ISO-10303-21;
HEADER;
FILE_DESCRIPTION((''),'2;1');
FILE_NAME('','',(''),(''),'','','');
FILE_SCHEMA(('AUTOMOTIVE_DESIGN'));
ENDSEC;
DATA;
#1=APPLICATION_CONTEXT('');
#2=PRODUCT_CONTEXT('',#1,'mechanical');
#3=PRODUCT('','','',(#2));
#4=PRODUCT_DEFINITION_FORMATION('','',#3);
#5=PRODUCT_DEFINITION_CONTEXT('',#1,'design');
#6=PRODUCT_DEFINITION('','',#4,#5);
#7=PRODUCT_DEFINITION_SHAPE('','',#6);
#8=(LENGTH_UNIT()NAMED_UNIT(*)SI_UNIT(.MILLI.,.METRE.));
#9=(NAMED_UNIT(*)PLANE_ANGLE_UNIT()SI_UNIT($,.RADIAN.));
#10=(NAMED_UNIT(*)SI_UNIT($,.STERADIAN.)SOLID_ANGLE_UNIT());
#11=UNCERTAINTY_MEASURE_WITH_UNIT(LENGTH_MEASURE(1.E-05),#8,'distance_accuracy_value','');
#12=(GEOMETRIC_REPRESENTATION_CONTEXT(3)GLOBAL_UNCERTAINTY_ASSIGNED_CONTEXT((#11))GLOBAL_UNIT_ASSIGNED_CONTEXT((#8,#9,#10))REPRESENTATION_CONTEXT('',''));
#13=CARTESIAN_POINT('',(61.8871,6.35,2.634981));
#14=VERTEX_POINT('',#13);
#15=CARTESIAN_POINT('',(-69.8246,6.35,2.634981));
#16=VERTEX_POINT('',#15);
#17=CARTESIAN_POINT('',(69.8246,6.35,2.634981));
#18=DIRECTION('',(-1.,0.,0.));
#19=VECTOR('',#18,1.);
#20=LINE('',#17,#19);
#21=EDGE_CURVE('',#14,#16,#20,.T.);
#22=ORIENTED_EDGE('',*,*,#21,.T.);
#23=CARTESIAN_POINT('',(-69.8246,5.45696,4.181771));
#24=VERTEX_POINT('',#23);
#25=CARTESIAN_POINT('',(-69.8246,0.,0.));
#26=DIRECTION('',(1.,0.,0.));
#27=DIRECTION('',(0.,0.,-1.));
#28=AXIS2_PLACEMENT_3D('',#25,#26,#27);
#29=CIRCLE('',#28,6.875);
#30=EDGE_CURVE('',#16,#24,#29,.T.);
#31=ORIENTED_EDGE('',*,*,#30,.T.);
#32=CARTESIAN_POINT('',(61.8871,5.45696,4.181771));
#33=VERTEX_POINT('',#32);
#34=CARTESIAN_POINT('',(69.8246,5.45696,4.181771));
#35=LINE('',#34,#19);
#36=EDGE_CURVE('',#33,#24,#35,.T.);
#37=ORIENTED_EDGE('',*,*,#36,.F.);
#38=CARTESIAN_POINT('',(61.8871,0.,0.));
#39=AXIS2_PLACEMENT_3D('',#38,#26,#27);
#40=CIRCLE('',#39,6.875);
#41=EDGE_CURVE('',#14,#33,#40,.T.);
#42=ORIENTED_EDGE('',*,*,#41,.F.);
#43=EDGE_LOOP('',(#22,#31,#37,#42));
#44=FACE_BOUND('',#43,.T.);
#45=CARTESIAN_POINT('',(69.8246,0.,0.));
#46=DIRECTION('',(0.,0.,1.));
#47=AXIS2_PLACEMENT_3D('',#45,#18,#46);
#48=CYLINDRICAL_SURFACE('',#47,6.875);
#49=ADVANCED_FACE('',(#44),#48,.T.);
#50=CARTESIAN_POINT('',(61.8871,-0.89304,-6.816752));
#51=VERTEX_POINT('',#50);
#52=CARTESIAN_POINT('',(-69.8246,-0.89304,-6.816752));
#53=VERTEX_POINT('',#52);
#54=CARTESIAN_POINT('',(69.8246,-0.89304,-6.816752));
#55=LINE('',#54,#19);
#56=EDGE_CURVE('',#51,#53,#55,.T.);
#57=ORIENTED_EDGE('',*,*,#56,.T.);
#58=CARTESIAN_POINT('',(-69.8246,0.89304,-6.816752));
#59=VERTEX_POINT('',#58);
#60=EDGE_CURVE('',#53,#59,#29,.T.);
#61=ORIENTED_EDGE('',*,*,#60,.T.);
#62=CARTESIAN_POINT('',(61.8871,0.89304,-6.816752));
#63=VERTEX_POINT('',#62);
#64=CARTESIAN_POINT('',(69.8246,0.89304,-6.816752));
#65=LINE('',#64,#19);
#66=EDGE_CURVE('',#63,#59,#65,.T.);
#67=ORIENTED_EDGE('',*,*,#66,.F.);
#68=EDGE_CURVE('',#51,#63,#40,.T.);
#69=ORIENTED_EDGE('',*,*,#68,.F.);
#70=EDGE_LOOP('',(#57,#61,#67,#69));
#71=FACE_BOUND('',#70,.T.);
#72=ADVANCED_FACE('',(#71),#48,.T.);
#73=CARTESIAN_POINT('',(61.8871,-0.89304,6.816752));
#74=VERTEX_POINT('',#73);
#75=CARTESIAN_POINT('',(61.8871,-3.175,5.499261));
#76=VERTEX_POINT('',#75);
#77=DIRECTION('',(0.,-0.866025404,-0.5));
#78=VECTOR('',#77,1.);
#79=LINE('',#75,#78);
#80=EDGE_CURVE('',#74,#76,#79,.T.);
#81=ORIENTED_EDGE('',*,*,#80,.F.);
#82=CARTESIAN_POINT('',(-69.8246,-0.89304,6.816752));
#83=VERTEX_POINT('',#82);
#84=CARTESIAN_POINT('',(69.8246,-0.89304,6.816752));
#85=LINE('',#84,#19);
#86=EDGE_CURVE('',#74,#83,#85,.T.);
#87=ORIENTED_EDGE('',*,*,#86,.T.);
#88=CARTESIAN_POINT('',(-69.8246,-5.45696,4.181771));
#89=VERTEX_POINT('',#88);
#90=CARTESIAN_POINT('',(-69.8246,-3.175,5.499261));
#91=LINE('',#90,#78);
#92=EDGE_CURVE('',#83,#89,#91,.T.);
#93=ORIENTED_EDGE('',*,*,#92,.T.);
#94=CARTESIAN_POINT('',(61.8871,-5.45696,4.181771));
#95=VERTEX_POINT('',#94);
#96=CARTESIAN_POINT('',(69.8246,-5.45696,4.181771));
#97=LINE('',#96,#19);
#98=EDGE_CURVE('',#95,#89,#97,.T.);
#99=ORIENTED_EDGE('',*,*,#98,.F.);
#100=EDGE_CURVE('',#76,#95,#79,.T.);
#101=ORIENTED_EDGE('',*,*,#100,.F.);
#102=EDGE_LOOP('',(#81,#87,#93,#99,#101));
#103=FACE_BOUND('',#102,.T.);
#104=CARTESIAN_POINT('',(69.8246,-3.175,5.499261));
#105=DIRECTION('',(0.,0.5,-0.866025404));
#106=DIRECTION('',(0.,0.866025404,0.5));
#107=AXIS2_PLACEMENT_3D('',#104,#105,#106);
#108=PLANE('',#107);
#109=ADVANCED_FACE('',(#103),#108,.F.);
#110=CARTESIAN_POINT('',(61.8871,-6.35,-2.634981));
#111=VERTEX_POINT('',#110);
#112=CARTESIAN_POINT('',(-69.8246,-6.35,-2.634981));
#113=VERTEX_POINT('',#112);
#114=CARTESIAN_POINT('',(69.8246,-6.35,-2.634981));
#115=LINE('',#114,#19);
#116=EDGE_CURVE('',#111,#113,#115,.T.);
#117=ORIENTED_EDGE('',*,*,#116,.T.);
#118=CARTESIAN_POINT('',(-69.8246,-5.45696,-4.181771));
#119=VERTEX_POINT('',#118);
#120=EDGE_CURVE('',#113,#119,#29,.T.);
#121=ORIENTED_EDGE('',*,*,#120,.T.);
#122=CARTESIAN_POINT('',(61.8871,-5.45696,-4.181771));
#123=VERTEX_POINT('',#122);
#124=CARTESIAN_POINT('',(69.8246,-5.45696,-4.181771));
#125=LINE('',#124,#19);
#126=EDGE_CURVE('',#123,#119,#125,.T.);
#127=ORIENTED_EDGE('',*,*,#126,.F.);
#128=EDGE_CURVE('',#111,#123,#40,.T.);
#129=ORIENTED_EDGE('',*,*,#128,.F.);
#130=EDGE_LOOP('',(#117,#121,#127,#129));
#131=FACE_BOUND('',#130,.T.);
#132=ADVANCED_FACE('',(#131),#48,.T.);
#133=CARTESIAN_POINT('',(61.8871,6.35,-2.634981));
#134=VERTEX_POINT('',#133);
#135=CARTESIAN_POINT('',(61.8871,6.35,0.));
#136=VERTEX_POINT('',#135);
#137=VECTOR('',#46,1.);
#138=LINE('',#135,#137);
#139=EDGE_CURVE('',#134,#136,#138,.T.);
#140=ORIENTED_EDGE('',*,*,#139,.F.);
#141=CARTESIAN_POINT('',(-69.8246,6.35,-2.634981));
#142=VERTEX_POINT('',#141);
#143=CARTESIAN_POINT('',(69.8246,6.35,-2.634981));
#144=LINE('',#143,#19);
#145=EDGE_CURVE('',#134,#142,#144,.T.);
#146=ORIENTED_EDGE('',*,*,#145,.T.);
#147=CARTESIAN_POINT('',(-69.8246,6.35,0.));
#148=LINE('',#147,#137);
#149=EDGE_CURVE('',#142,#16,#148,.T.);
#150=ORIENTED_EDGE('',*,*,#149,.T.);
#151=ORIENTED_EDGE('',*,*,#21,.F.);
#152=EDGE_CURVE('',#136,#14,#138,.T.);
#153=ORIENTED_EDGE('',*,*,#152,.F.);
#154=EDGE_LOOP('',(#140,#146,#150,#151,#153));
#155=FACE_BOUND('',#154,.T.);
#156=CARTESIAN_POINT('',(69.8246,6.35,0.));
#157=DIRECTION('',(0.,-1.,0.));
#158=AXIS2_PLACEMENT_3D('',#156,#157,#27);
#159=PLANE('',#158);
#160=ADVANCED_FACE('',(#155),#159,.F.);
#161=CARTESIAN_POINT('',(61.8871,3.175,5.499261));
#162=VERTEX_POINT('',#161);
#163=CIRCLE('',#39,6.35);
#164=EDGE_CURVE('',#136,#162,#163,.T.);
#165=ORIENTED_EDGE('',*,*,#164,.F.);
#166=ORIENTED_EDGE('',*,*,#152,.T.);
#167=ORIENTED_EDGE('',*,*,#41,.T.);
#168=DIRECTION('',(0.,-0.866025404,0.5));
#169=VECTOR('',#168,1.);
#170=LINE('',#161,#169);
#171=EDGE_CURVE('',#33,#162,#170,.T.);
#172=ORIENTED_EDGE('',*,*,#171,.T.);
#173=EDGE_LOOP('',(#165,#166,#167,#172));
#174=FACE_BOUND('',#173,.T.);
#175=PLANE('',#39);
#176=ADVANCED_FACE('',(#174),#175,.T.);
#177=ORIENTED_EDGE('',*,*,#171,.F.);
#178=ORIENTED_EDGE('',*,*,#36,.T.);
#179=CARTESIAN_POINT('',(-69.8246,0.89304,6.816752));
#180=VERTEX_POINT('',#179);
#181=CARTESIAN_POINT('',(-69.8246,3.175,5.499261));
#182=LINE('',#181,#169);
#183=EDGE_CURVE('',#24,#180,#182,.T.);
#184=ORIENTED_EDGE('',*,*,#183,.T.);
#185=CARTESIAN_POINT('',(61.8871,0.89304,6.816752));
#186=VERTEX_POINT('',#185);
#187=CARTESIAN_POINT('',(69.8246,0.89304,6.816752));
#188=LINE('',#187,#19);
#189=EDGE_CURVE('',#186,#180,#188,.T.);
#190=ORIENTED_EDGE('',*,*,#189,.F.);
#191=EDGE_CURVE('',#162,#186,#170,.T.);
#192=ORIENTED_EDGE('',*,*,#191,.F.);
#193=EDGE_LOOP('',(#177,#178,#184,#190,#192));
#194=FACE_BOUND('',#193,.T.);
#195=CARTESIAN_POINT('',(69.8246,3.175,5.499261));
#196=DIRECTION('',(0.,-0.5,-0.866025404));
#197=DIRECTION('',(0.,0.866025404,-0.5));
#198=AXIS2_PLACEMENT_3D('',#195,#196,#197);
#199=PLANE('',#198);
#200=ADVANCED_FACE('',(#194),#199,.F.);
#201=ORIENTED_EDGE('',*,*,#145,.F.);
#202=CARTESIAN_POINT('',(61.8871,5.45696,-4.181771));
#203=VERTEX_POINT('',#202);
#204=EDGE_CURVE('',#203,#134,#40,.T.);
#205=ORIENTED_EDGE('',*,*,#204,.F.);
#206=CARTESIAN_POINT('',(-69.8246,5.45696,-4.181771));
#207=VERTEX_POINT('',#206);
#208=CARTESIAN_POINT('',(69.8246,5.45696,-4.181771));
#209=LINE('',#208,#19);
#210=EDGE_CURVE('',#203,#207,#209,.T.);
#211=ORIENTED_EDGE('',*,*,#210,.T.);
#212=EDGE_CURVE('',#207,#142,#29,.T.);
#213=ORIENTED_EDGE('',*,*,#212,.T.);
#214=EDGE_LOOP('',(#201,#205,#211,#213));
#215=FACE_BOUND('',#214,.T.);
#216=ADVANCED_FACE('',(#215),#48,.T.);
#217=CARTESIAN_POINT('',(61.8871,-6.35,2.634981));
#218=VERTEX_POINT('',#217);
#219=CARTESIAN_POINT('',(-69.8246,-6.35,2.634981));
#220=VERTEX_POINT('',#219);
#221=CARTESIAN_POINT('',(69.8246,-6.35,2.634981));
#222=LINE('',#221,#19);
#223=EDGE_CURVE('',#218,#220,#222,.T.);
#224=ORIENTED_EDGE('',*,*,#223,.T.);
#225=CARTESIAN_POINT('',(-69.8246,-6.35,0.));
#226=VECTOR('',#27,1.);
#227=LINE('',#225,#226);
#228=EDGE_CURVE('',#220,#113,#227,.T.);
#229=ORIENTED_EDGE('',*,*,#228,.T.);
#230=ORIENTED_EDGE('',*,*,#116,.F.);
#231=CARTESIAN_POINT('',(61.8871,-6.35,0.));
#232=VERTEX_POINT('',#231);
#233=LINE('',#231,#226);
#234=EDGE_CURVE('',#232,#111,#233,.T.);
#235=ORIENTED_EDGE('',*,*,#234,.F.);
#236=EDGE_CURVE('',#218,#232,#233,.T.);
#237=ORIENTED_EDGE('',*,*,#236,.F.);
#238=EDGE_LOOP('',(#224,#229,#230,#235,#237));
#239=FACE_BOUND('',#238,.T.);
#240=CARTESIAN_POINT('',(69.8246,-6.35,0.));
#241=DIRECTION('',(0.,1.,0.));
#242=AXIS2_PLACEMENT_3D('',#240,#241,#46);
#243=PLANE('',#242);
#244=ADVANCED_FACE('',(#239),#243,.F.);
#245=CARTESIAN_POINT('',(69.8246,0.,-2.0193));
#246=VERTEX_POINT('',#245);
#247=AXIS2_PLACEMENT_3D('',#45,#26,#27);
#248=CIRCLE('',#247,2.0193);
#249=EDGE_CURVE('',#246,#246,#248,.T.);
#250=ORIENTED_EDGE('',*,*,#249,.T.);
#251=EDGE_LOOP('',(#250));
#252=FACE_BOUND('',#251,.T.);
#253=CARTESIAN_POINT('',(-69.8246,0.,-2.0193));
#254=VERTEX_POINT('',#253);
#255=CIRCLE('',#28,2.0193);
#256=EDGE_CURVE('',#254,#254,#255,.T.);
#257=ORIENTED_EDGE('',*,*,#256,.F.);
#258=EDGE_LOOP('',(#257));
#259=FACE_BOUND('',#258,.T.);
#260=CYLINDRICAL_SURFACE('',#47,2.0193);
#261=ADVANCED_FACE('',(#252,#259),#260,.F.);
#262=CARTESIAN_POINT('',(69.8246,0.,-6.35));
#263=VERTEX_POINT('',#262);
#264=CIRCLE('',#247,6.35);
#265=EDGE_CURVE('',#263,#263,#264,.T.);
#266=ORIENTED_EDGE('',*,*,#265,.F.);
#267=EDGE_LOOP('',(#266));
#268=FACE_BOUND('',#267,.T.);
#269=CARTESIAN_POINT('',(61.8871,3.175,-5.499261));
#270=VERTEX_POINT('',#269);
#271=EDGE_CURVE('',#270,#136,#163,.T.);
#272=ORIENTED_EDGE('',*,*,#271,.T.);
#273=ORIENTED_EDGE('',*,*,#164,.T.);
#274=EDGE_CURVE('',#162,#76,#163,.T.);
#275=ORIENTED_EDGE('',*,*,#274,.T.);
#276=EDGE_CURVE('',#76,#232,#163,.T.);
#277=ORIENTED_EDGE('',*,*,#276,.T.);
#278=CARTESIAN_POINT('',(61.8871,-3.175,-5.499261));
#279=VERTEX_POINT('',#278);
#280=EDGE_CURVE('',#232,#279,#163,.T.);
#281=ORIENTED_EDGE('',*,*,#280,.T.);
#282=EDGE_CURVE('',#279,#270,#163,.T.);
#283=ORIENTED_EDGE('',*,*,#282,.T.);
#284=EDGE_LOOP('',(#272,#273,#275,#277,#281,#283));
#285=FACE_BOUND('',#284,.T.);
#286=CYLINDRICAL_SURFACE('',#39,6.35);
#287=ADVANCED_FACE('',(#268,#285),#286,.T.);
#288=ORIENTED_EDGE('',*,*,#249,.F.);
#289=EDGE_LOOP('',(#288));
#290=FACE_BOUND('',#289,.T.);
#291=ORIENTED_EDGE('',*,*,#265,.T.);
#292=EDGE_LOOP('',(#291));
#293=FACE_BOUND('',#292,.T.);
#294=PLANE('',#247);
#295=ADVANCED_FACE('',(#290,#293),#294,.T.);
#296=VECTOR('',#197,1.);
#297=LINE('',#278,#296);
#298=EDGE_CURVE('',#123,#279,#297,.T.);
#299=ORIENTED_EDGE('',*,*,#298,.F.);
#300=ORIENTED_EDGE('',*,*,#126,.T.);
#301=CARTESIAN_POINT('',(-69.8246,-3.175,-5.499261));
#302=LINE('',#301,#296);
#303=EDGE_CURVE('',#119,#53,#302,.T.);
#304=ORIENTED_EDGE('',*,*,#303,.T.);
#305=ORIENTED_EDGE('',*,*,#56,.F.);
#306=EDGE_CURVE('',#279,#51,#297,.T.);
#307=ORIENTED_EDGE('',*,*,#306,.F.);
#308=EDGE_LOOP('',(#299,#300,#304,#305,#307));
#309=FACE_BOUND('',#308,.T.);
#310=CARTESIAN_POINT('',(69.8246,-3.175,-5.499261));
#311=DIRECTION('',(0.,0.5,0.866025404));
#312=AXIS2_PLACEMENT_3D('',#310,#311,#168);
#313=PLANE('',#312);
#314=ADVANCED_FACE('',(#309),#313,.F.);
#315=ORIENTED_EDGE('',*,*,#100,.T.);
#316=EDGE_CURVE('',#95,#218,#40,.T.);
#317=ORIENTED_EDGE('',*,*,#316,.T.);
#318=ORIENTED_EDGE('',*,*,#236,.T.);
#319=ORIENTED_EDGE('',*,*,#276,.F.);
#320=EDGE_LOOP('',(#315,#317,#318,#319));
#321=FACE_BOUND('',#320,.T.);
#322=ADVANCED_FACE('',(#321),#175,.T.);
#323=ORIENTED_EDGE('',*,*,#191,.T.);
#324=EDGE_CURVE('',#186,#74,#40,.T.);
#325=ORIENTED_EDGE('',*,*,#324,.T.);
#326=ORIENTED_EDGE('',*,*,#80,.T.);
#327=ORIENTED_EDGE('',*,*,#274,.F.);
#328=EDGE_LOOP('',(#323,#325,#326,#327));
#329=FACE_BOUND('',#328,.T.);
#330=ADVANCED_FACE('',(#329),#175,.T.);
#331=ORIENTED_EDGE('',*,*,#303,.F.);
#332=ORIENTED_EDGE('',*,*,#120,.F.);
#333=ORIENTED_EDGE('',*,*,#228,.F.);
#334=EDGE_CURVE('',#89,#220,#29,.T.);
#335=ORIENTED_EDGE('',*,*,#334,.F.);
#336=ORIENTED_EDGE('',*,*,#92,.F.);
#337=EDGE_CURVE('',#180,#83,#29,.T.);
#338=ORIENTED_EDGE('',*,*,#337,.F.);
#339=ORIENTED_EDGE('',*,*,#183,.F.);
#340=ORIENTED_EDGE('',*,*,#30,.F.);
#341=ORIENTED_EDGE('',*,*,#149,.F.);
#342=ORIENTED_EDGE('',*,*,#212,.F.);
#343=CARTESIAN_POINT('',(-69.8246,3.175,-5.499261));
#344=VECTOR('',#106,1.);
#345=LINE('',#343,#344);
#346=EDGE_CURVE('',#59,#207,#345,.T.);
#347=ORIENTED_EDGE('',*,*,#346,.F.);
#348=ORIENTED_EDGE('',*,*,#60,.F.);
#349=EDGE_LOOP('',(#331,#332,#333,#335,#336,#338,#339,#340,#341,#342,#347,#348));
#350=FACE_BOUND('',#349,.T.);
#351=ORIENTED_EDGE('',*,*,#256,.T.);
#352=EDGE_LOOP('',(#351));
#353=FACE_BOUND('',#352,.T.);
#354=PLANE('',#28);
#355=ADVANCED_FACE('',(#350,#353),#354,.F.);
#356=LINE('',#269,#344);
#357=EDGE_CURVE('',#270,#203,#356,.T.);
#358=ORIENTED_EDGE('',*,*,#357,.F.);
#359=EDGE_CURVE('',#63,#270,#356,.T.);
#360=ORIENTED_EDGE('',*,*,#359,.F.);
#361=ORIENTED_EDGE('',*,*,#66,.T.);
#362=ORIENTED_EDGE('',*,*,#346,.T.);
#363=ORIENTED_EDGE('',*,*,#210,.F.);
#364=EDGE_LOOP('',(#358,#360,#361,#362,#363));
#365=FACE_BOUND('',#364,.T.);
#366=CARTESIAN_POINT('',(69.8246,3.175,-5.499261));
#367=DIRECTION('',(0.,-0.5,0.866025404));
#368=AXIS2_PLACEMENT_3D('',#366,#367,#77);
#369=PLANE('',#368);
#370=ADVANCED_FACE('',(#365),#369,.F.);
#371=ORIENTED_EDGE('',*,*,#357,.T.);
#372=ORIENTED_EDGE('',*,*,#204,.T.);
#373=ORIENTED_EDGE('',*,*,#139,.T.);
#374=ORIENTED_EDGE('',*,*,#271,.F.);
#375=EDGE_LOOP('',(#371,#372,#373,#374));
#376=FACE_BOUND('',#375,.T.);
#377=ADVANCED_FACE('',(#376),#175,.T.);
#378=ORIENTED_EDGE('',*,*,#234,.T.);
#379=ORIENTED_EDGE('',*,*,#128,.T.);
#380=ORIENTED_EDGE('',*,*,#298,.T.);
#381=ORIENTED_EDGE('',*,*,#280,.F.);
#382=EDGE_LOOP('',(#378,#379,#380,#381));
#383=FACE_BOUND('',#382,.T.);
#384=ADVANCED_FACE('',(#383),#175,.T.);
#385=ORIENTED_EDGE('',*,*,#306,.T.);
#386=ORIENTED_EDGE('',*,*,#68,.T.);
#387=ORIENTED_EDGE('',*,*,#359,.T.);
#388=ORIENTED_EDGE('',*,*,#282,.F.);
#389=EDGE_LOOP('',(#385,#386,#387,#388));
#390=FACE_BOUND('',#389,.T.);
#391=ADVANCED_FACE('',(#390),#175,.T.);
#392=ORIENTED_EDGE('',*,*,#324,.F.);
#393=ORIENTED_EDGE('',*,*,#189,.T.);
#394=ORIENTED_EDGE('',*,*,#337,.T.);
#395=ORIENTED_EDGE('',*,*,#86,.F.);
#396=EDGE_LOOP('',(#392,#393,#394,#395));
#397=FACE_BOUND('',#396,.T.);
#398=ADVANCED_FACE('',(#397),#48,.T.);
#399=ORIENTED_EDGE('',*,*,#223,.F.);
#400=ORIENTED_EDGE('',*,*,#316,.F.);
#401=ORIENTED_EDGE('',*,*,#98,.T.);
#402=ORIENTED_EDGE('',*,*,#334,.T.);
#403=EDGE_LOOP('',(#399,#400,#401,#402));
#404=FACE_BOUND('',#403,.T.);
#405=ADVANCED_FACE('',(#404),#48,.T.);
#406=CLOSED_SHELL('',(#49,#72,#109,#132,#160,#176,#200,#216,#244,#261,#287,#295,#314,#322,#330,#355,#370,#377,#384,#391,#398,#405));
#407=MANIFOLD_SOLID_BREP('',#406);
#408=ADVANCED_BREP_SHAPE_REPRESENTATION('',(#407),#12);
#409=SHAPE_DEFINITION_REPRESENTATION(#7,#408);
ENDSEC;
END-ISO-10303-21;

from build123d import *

# Parameters (mm, degrees)
SKETCH1_R                            = 2.0193
BOSS_EXTRUDE1_DEPTH                  = 69.8246
F_10_32_TAPPED_HOLE1_D               = 4.0386
F_10_32_TAPPED_HOLE1_DEPTH           = 16.34744
F_10_32_TAPPED_HOLE1_TIP             = 1.213317848
F_10_32_TAPPED_HOLE1_ON_FACE_2_D     = 4.0386
F_10_32_TAPPED_HOLE1_ON_FACE_2_DEPTH = 16.34744
F_10_32_TAPPED_HOLE1_ON_FACE_2_TIP   = 1.213317848
SKETCH3_R                            = 8.89
SKETCH3_R_2                          = 6.35
CUT_EXTRUDE_THIN1_DEPTH              = 7.9375


with BuildPart() as part:
    # Sketch1 → Boss-Extrude1 (new, symmetric)
    with BuildSketch(Plane(origin=(0, 0, 0), x_dir=(0, 0, -1), z_dir=(1, 0, 0))):
        with BuildLine():
            ThreePointArc((4.181770846, 5.456960429), (3.437499983, 5.953924622), (2.634980936, 6.35))
            Line((2.634980936, 6.35), (-2.634980936, 6.35))
            ThreePointArc((-2.634980936, 6.35), (-3.437499983, 5.953924622), (-4.181770846, 5.456960429))
            Line((-4.181770846, 5.456960429), (-6.816751782, 0.893039571))
            ThreePointArc((-6.816751782, 0.893039571), (-6.874999966, 0), (-6.816751782, -0.893039571))
            Line((-6.816751782, -0.893039571), (-4.181770846, -5.456960429))
            ThreePointArc((-4.181770846, -5.456960429), (-3.437499983, -5.953924622), (-2.634980936, -6.35))
            Line((-2.634980936, -6.35), (2.634980936, -6.35))
            ThreePointArc((2.634980936, -6.35), (3.437499983, -5.953924622), (4.181770846, -5.456960429))
            Line((4.181770846, -5.456960429), (6.816751782, -0.893039571))
            ThreePointArc((6.816751782, -0.893039571), (6.860422465, -0.447468582), (6.874999966, 0))
            ThreePointArc((6.874999966, 0), (6.860422465, 0.447468582), (6.816751782, 0.893039571))
            Line((6.816751782, 0.893039571), (4.181770846, 5.456960429))
        make_face()
        Circle(SKETCH1_R, mode=Mode.SUBTRACT)
    extrude(amount=BOSS_EXTRUDE1_DEPTH, both=True)

    # #10-32 Tapped Hole1
    with Locations(Plane(origin=(69.8246, 0, 0), x_dir=(0, 0, 1), z_dir=(1, 0, 0))):
        with Locations((0, 0)):
            Hole(F_10_32_TAPPED_HOLE1_D / 2, depth=F_10_32_TAPPED_HOLE1_DEPTH)
            with Locations((0, 0, -(F_10_32_TAPPED_HOLE1_DEPTH + F_10_32_TAPPED_HOLE1_TIP / 2))):  # 118° drill point
                Cone(0, F_10_32_TAPPED_HOLE1_D / 2, F_10_32_TAPPED_HOLE1_TIP, mode=Mode.SUBTRACT)

    # #10-32 Tapped Hole1 on face 2
    with Locations(Plane(origin=(-69.8246, 0, 0), x_dir=(0, 0, 1), z_dir=(1, 0, 0))):
        with Locations((0, 0)):
            Hole(F_10_32_TAPPED_HOLE1_ON_FACE_2_D / 2, depth=F_10_32_TAPPED_HOLE1_ON_FACE_2_DEPTH)
            with Locations((0, 0, -(F_10_32_TAPPED_HOLE1_ON_FACE_2_DEPTH + F_10_32_TAPPED_HOLE1_ON_FACE_2_TIP / 2))):  # 118° drill point
                Cone(0, F_10_32_TAPPED_HOLE1_ON_FACE_2_D / 2, F_10_32_TAPPED_HOLE1_ON_FACE_2_TIP, mode=Mode.SUBTRACT)

    # Sketch3 → Cut-Extrude-Thin1 (cut)
    with BuildSketch(Plane(origin=(69.8246, 0, 0), x_dir=(0, 0, -1), z_dir=(1, 0, 0))):
        Circle(SKETCH3_R)
        Circle(SKETCH3_R_2, mode=Mode.SUBTRACT)
    extrude(amount=-CUT_EXTRUDE_THIN1_DEPTH, mode=Mode.SUBTRACT)


solid = part.part
